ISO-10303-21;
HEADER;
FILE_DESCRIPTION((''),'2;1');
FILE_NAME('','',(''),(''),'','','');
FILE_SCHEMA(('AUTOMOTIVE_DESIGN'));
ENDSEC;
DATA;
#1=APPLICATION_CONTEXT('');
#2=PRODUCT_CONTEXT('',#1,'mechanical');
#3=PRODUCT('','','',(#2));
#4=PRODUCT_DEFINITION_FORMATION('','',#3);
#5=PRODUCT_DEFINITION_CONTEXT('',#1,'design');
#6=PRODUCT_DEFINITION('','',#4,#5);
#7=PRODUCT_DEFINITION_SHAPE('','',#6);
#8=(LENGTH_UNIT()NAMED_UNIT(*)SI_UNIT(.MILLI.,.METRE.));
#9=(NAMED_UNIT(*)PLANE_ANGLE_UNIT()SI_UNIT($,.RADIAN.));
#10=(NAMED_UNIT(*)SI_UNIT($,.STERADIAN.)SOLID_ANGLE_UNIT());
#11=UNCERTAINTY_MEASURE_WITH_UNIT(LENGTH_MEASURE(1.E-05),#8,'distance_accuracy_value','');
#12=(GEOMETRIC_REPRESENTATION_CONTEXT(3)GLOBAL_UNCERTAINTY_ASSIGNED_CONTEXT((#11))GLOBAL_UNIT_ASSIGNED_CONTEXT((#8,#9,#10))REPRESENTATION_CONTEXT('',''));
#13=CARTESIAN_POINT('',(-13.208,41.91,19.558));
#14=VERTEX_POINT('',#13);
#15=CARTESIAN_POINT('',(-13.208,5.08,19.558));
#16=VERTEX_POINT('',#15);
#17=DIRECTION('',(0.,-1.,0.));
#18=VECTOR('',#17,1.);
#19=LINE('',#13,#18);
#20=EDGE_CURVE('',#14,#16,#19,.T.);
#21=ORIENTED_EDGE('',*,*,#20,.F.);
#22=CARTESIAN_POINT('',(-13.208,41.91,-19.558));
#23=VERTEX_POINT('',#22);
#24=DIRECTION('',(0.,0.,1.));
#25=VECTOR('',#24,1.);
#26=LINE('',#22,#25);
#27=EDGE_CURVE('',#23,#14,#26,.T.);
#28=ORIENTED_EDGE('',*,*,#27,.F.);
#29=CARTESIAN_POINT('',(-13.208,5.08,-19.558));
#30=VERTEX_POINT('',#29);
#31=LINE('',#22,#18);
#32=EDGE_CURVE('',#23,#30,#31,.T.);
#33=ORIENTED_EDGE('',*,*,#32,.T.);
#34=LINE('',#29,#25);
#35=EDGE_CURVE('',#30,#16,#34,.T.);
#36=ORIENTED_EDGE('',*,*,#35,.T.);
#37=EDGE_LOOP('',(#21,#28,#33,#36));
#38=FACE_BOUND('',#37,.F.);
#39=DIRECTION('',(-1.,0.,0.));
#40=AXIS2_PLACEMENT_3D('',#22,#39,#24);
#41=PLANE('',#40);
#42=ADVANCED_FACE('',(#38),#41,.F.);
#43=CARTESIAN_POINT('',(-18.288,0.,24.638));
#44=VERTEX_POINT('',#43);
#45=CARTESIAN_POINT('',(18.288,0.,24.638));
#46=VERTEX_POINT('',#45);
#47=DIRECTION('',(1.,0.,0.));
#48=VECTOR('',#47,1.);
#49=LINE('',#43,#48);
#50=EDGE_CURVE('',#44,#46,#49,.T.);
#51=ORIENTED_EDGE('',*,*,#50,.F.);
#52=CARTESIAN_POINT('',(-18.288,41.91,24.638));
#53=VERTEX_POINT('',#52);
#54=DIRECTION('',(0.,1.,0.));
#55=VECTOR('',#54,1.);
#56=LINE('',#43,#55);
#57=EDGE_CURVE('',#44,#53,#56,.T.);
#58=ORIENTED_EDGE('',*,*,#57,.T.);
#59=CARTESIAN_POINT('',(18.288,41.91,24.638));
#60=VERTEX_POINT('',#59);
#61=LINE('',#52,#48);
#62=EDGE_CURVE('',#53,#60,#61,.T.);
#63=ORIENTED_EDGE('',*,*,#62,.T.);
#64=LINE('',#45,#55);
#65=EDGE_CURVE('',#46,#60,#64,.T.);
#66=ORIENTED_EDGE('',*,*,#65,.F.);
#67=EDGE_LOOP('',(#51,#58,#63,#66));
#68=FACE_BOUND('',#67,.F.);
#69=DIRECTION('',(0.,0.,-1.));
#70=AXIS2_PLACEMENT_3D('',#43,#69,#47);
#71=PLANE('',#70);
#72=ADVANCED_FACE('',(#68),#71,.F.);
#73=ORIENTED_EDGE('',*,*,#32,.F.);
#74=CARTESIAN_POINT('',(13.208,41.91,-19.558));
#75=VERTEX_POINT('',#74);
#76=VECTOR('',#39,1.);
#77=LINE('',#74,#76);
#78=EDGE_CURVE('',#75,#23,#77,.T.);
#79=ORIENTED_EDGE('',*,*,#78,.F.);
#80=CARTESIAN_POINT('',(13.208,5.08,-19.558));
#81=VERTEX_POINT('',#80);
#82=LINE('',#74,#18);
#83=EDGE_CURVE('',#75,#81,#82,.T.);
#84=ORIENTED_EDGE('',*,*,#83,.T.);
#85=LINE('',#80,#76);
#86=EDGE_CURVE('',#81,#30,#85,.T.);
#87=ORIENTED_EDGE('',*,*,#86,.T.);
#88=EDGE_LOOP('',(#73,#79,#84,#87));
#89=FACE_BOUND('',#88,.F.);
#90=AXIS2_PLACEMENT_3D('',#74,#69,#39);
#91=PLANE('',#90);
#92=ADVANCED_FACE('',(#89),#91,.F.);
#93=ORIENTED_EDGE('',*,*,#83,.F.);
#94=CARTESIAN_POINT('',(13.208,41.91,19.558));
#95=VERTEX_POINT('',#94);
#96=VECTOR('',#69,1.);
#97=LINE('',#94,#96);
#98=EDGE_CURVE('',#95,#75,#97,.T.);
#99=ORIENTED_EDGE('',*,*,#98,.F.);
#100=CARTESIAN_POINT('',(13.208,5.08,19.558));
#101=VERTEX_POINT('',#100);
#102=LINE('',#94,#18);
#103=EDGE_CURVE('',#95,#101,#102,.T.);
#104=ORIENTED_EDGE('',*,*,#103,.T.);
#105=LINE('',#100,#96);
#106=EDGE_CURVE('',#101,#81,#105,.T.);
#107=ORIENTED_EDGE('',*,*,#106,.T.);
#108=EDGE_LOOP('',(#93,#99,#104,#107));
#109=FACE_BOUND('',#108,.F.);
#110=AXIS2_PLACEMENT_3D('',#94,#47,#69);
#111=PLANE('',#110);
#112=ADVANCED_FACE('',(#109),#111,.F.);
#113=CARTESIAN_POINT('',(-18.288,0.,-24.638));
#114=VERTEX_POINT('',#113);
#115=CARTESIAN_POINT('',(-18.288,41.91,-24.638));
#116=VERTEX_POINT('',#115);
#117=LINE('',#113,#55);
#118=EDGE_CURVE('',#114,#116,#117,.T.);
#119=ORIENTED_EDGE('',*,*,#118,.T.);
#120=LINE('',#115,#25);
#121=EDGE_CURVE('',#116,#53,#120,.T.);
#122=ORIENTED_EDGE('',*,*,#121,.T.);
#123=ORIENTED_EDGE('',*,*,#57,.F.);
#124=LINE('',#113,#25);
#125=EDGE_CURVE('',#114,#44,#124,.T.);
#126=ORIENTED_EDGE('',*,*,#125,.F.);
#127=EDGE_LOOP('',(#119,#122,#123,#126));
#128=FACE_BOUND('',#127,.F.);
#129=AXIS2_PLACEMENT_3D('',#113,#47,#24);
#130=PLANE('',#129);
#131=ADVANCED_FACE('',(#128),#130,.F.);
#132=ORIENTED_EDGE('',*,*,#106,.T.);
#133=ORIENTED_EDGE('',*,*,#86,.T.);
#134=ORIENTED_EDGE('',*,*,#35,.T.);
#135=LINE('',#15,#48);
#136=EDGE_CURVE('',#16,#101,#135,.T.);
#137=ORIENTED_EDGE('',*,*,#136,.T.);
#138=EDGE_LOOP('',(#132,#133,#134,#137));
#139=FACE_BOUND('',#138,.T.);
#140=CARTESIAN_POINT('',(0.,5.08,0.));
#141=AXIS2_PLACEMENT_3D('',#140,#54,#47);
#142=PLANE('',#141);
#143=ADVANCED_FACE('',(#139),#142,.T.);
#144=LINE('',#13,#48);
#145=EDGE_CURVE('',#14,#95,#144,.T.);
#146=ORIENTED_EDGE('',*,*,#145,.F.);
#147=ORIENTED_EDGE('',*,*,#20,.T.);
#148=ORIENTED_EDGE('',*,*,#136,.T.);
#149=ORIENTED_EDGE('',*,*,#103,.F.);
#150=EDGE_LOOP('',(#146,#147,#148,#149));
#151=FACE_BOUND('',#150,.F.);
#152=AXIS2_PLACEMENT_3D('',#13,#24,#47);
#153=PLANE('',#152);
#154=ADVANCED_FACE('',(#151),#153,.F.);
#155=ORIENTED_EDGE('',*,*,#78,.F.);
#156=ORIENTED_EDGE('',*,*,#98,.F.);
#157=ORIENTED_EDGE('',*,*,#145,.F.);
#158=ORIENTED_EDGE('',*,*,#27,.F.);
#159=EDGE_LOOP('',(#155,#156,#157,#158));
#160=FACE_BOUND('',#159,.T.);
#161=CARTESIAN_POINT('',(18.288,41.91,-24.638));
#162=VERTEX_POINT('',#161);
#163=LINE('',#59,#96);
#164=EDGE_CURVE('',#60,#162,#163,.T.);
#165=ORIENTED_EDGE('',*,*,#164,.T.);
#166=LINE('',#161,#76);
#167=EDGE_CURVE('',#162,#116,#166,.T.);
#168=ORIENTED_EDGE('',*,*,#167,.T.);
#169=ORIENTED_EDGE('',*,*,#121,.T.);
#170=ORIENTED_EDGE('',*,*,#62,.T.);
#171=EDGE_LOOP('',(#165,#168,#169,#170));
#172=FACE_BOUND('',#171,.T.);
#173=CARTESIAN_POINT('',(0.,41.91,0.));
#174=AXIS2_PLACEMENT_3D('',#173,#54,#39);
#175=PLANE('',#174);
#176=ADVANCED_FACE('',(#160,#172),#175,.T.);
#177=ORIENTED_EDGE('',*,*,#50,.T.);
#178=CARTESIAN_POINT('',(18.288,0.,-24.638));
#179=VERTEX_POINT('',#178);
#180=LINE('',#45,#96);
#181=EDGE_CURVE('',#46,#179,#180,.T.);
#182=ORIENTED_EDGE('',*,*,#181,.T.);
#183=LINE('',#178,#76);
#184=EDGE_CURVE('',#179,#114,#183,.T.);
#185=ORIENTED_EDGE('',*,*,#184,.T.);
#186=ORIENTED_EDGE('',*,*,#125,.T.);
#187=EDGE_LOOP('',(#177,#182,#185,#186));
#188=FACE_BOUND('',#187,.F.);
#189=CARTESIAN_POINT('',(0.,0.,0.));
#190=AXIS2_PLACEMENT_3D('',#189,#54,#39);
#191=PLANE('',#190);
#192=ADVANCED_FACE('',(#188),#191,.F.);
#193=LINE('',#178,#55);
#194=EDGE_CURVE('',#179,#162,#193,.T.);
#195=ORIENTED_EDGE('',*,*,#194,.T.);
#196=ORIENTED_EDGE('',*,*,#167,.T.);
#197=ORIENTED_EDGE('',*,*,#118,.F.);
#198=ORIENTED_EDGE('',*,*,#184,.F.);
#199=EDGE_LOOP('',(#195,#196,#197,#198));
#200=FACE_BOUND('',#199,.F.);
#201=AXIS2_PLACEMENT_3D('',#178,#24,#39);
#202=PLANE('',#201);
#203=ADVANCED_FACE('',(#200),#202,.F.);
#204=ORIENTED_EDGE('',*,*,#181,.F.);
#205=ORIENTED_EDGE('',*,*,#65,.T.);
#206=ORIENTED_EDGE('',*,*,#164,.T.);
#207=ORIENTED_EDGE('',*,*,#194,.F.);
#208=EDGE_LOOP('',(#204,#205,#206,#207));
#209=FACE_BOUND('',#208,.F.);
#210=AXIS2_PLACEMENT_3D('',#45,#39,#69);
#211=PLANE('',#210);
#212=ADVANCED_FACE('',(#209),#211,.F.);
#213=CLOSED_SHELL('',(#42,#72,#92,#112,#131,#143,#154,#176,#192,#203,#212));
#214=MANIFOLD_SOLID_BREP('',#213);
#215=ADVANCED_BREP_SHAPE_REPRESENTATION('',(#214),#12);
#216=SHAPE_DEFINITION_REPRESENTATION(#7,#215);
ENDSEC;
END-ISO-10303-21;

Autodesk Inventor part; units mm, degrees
ref_plane "YZ Plane" through (0, 0, 0) normal (1, 0, 0) x (0, 1, 0)
ref_plane "XZ Plane" through (0, 0, 0) normal (0, 1, 0) x (-1, 0, 0)
ref_plane "XY Plane" through (0, 0, 0) normal (0, 0, 1) x (1, 0, 0)
sketch "Sketch1" plane through (0, 0, 0) normal (0, 1, 0) x (-1, 0, 0)
  line L0 (18.288, 24.638) -> (-18.288, 24.638)
  line L1 (-18.288, 24.638) -> (-18.288, -24.638)
  line L2 (-18.288, -24.638) -> (18.288, -24.638)
  line L3 (18.288, -24.638) -> (18.288, 24.638)
  line L4 (18.288, 24.638) -> (-18.288, -24.638) construction
  line L5 (-18.288, 24.638) -> (18.288, -24.638) construction
  point P0 (0, 0)
  dimension "d0" = 36.576
  dimension "d1" = 49.276
extrude "Extrusion1" add sketch "Sketch1" along normal blind 41.91
sketch "Sketch3" plane through (0, 41.91, 0) normal (0, 1, 0) x (1, 0, 0)
  line L0 (-13.208, -19.558) -> (13.208, -19.558)
  line L1 (13.208, -19.558) -> (13.208, 19.558)
  line L2 (13.208, 19.558) -> (-13.208, 19.558)
  line L3 (-13.208, 19.558) -> (-13.208, -19.558)
  line L4 (-13.208, -19.558) -> (13.208, 19.558) construction
  line L5 (13.208, -19.558) -> (-13.208, 19.558) construction
  point P0 (0, 0)
  dimension "d4" = 26.416
  dimension "d5" = 39.116
extrude "Extrusion2" cut sketch "Sketch3" against normal blind 36.83
equation "\"d0\" = 2 * printErrorThickness + boardWidth + 2 * boxWallThickness"
equation "\"d1\" = 2 * printErrorThickness + boardLength + 2 * boxWallThickness"
equation "\"d2\" = boxTotalHeight"
equation "\"d4\" = boardWidth + 2 * printErrorThickness"
equation "\"d5\" = boardLength + 2 * printErrorThickness"
equation "\"d6\" = interiorMaxHeight"
equation "\"boardWidth\" = 25.4"
equation "\"boardLength\" = 38.1"
equation "\"boardThickness\" = 5.08"
equation "\"boardLowerHeight\" = 5.08"
equation "\"boardUpperHeight\" = 6.35"
equation "\"boardHoleDiam\" = 2.286"
equation "\"boardHoleDistBetweenCenters\" = 19.05"
equation "\"boardHoleDistFromEnd\" = 5.08"
equation "\"boxBottomThickness\" = 5.08"
equation "\"boxWallThickness\" = 5.08"
equation "\"printErrorThickness\" = 0.508"
equation "\"boxTotalHeight\" = boardUpperHeight + boxBottomThickness + boardLowerHeight + boxClearance"
equation "\"boxClearance\" = 25.4"
equation "\"interiorMaxHeight\" = boxTotalHeight - boxBottomThickness"
properties part number "fc-GyroAccelBox"
